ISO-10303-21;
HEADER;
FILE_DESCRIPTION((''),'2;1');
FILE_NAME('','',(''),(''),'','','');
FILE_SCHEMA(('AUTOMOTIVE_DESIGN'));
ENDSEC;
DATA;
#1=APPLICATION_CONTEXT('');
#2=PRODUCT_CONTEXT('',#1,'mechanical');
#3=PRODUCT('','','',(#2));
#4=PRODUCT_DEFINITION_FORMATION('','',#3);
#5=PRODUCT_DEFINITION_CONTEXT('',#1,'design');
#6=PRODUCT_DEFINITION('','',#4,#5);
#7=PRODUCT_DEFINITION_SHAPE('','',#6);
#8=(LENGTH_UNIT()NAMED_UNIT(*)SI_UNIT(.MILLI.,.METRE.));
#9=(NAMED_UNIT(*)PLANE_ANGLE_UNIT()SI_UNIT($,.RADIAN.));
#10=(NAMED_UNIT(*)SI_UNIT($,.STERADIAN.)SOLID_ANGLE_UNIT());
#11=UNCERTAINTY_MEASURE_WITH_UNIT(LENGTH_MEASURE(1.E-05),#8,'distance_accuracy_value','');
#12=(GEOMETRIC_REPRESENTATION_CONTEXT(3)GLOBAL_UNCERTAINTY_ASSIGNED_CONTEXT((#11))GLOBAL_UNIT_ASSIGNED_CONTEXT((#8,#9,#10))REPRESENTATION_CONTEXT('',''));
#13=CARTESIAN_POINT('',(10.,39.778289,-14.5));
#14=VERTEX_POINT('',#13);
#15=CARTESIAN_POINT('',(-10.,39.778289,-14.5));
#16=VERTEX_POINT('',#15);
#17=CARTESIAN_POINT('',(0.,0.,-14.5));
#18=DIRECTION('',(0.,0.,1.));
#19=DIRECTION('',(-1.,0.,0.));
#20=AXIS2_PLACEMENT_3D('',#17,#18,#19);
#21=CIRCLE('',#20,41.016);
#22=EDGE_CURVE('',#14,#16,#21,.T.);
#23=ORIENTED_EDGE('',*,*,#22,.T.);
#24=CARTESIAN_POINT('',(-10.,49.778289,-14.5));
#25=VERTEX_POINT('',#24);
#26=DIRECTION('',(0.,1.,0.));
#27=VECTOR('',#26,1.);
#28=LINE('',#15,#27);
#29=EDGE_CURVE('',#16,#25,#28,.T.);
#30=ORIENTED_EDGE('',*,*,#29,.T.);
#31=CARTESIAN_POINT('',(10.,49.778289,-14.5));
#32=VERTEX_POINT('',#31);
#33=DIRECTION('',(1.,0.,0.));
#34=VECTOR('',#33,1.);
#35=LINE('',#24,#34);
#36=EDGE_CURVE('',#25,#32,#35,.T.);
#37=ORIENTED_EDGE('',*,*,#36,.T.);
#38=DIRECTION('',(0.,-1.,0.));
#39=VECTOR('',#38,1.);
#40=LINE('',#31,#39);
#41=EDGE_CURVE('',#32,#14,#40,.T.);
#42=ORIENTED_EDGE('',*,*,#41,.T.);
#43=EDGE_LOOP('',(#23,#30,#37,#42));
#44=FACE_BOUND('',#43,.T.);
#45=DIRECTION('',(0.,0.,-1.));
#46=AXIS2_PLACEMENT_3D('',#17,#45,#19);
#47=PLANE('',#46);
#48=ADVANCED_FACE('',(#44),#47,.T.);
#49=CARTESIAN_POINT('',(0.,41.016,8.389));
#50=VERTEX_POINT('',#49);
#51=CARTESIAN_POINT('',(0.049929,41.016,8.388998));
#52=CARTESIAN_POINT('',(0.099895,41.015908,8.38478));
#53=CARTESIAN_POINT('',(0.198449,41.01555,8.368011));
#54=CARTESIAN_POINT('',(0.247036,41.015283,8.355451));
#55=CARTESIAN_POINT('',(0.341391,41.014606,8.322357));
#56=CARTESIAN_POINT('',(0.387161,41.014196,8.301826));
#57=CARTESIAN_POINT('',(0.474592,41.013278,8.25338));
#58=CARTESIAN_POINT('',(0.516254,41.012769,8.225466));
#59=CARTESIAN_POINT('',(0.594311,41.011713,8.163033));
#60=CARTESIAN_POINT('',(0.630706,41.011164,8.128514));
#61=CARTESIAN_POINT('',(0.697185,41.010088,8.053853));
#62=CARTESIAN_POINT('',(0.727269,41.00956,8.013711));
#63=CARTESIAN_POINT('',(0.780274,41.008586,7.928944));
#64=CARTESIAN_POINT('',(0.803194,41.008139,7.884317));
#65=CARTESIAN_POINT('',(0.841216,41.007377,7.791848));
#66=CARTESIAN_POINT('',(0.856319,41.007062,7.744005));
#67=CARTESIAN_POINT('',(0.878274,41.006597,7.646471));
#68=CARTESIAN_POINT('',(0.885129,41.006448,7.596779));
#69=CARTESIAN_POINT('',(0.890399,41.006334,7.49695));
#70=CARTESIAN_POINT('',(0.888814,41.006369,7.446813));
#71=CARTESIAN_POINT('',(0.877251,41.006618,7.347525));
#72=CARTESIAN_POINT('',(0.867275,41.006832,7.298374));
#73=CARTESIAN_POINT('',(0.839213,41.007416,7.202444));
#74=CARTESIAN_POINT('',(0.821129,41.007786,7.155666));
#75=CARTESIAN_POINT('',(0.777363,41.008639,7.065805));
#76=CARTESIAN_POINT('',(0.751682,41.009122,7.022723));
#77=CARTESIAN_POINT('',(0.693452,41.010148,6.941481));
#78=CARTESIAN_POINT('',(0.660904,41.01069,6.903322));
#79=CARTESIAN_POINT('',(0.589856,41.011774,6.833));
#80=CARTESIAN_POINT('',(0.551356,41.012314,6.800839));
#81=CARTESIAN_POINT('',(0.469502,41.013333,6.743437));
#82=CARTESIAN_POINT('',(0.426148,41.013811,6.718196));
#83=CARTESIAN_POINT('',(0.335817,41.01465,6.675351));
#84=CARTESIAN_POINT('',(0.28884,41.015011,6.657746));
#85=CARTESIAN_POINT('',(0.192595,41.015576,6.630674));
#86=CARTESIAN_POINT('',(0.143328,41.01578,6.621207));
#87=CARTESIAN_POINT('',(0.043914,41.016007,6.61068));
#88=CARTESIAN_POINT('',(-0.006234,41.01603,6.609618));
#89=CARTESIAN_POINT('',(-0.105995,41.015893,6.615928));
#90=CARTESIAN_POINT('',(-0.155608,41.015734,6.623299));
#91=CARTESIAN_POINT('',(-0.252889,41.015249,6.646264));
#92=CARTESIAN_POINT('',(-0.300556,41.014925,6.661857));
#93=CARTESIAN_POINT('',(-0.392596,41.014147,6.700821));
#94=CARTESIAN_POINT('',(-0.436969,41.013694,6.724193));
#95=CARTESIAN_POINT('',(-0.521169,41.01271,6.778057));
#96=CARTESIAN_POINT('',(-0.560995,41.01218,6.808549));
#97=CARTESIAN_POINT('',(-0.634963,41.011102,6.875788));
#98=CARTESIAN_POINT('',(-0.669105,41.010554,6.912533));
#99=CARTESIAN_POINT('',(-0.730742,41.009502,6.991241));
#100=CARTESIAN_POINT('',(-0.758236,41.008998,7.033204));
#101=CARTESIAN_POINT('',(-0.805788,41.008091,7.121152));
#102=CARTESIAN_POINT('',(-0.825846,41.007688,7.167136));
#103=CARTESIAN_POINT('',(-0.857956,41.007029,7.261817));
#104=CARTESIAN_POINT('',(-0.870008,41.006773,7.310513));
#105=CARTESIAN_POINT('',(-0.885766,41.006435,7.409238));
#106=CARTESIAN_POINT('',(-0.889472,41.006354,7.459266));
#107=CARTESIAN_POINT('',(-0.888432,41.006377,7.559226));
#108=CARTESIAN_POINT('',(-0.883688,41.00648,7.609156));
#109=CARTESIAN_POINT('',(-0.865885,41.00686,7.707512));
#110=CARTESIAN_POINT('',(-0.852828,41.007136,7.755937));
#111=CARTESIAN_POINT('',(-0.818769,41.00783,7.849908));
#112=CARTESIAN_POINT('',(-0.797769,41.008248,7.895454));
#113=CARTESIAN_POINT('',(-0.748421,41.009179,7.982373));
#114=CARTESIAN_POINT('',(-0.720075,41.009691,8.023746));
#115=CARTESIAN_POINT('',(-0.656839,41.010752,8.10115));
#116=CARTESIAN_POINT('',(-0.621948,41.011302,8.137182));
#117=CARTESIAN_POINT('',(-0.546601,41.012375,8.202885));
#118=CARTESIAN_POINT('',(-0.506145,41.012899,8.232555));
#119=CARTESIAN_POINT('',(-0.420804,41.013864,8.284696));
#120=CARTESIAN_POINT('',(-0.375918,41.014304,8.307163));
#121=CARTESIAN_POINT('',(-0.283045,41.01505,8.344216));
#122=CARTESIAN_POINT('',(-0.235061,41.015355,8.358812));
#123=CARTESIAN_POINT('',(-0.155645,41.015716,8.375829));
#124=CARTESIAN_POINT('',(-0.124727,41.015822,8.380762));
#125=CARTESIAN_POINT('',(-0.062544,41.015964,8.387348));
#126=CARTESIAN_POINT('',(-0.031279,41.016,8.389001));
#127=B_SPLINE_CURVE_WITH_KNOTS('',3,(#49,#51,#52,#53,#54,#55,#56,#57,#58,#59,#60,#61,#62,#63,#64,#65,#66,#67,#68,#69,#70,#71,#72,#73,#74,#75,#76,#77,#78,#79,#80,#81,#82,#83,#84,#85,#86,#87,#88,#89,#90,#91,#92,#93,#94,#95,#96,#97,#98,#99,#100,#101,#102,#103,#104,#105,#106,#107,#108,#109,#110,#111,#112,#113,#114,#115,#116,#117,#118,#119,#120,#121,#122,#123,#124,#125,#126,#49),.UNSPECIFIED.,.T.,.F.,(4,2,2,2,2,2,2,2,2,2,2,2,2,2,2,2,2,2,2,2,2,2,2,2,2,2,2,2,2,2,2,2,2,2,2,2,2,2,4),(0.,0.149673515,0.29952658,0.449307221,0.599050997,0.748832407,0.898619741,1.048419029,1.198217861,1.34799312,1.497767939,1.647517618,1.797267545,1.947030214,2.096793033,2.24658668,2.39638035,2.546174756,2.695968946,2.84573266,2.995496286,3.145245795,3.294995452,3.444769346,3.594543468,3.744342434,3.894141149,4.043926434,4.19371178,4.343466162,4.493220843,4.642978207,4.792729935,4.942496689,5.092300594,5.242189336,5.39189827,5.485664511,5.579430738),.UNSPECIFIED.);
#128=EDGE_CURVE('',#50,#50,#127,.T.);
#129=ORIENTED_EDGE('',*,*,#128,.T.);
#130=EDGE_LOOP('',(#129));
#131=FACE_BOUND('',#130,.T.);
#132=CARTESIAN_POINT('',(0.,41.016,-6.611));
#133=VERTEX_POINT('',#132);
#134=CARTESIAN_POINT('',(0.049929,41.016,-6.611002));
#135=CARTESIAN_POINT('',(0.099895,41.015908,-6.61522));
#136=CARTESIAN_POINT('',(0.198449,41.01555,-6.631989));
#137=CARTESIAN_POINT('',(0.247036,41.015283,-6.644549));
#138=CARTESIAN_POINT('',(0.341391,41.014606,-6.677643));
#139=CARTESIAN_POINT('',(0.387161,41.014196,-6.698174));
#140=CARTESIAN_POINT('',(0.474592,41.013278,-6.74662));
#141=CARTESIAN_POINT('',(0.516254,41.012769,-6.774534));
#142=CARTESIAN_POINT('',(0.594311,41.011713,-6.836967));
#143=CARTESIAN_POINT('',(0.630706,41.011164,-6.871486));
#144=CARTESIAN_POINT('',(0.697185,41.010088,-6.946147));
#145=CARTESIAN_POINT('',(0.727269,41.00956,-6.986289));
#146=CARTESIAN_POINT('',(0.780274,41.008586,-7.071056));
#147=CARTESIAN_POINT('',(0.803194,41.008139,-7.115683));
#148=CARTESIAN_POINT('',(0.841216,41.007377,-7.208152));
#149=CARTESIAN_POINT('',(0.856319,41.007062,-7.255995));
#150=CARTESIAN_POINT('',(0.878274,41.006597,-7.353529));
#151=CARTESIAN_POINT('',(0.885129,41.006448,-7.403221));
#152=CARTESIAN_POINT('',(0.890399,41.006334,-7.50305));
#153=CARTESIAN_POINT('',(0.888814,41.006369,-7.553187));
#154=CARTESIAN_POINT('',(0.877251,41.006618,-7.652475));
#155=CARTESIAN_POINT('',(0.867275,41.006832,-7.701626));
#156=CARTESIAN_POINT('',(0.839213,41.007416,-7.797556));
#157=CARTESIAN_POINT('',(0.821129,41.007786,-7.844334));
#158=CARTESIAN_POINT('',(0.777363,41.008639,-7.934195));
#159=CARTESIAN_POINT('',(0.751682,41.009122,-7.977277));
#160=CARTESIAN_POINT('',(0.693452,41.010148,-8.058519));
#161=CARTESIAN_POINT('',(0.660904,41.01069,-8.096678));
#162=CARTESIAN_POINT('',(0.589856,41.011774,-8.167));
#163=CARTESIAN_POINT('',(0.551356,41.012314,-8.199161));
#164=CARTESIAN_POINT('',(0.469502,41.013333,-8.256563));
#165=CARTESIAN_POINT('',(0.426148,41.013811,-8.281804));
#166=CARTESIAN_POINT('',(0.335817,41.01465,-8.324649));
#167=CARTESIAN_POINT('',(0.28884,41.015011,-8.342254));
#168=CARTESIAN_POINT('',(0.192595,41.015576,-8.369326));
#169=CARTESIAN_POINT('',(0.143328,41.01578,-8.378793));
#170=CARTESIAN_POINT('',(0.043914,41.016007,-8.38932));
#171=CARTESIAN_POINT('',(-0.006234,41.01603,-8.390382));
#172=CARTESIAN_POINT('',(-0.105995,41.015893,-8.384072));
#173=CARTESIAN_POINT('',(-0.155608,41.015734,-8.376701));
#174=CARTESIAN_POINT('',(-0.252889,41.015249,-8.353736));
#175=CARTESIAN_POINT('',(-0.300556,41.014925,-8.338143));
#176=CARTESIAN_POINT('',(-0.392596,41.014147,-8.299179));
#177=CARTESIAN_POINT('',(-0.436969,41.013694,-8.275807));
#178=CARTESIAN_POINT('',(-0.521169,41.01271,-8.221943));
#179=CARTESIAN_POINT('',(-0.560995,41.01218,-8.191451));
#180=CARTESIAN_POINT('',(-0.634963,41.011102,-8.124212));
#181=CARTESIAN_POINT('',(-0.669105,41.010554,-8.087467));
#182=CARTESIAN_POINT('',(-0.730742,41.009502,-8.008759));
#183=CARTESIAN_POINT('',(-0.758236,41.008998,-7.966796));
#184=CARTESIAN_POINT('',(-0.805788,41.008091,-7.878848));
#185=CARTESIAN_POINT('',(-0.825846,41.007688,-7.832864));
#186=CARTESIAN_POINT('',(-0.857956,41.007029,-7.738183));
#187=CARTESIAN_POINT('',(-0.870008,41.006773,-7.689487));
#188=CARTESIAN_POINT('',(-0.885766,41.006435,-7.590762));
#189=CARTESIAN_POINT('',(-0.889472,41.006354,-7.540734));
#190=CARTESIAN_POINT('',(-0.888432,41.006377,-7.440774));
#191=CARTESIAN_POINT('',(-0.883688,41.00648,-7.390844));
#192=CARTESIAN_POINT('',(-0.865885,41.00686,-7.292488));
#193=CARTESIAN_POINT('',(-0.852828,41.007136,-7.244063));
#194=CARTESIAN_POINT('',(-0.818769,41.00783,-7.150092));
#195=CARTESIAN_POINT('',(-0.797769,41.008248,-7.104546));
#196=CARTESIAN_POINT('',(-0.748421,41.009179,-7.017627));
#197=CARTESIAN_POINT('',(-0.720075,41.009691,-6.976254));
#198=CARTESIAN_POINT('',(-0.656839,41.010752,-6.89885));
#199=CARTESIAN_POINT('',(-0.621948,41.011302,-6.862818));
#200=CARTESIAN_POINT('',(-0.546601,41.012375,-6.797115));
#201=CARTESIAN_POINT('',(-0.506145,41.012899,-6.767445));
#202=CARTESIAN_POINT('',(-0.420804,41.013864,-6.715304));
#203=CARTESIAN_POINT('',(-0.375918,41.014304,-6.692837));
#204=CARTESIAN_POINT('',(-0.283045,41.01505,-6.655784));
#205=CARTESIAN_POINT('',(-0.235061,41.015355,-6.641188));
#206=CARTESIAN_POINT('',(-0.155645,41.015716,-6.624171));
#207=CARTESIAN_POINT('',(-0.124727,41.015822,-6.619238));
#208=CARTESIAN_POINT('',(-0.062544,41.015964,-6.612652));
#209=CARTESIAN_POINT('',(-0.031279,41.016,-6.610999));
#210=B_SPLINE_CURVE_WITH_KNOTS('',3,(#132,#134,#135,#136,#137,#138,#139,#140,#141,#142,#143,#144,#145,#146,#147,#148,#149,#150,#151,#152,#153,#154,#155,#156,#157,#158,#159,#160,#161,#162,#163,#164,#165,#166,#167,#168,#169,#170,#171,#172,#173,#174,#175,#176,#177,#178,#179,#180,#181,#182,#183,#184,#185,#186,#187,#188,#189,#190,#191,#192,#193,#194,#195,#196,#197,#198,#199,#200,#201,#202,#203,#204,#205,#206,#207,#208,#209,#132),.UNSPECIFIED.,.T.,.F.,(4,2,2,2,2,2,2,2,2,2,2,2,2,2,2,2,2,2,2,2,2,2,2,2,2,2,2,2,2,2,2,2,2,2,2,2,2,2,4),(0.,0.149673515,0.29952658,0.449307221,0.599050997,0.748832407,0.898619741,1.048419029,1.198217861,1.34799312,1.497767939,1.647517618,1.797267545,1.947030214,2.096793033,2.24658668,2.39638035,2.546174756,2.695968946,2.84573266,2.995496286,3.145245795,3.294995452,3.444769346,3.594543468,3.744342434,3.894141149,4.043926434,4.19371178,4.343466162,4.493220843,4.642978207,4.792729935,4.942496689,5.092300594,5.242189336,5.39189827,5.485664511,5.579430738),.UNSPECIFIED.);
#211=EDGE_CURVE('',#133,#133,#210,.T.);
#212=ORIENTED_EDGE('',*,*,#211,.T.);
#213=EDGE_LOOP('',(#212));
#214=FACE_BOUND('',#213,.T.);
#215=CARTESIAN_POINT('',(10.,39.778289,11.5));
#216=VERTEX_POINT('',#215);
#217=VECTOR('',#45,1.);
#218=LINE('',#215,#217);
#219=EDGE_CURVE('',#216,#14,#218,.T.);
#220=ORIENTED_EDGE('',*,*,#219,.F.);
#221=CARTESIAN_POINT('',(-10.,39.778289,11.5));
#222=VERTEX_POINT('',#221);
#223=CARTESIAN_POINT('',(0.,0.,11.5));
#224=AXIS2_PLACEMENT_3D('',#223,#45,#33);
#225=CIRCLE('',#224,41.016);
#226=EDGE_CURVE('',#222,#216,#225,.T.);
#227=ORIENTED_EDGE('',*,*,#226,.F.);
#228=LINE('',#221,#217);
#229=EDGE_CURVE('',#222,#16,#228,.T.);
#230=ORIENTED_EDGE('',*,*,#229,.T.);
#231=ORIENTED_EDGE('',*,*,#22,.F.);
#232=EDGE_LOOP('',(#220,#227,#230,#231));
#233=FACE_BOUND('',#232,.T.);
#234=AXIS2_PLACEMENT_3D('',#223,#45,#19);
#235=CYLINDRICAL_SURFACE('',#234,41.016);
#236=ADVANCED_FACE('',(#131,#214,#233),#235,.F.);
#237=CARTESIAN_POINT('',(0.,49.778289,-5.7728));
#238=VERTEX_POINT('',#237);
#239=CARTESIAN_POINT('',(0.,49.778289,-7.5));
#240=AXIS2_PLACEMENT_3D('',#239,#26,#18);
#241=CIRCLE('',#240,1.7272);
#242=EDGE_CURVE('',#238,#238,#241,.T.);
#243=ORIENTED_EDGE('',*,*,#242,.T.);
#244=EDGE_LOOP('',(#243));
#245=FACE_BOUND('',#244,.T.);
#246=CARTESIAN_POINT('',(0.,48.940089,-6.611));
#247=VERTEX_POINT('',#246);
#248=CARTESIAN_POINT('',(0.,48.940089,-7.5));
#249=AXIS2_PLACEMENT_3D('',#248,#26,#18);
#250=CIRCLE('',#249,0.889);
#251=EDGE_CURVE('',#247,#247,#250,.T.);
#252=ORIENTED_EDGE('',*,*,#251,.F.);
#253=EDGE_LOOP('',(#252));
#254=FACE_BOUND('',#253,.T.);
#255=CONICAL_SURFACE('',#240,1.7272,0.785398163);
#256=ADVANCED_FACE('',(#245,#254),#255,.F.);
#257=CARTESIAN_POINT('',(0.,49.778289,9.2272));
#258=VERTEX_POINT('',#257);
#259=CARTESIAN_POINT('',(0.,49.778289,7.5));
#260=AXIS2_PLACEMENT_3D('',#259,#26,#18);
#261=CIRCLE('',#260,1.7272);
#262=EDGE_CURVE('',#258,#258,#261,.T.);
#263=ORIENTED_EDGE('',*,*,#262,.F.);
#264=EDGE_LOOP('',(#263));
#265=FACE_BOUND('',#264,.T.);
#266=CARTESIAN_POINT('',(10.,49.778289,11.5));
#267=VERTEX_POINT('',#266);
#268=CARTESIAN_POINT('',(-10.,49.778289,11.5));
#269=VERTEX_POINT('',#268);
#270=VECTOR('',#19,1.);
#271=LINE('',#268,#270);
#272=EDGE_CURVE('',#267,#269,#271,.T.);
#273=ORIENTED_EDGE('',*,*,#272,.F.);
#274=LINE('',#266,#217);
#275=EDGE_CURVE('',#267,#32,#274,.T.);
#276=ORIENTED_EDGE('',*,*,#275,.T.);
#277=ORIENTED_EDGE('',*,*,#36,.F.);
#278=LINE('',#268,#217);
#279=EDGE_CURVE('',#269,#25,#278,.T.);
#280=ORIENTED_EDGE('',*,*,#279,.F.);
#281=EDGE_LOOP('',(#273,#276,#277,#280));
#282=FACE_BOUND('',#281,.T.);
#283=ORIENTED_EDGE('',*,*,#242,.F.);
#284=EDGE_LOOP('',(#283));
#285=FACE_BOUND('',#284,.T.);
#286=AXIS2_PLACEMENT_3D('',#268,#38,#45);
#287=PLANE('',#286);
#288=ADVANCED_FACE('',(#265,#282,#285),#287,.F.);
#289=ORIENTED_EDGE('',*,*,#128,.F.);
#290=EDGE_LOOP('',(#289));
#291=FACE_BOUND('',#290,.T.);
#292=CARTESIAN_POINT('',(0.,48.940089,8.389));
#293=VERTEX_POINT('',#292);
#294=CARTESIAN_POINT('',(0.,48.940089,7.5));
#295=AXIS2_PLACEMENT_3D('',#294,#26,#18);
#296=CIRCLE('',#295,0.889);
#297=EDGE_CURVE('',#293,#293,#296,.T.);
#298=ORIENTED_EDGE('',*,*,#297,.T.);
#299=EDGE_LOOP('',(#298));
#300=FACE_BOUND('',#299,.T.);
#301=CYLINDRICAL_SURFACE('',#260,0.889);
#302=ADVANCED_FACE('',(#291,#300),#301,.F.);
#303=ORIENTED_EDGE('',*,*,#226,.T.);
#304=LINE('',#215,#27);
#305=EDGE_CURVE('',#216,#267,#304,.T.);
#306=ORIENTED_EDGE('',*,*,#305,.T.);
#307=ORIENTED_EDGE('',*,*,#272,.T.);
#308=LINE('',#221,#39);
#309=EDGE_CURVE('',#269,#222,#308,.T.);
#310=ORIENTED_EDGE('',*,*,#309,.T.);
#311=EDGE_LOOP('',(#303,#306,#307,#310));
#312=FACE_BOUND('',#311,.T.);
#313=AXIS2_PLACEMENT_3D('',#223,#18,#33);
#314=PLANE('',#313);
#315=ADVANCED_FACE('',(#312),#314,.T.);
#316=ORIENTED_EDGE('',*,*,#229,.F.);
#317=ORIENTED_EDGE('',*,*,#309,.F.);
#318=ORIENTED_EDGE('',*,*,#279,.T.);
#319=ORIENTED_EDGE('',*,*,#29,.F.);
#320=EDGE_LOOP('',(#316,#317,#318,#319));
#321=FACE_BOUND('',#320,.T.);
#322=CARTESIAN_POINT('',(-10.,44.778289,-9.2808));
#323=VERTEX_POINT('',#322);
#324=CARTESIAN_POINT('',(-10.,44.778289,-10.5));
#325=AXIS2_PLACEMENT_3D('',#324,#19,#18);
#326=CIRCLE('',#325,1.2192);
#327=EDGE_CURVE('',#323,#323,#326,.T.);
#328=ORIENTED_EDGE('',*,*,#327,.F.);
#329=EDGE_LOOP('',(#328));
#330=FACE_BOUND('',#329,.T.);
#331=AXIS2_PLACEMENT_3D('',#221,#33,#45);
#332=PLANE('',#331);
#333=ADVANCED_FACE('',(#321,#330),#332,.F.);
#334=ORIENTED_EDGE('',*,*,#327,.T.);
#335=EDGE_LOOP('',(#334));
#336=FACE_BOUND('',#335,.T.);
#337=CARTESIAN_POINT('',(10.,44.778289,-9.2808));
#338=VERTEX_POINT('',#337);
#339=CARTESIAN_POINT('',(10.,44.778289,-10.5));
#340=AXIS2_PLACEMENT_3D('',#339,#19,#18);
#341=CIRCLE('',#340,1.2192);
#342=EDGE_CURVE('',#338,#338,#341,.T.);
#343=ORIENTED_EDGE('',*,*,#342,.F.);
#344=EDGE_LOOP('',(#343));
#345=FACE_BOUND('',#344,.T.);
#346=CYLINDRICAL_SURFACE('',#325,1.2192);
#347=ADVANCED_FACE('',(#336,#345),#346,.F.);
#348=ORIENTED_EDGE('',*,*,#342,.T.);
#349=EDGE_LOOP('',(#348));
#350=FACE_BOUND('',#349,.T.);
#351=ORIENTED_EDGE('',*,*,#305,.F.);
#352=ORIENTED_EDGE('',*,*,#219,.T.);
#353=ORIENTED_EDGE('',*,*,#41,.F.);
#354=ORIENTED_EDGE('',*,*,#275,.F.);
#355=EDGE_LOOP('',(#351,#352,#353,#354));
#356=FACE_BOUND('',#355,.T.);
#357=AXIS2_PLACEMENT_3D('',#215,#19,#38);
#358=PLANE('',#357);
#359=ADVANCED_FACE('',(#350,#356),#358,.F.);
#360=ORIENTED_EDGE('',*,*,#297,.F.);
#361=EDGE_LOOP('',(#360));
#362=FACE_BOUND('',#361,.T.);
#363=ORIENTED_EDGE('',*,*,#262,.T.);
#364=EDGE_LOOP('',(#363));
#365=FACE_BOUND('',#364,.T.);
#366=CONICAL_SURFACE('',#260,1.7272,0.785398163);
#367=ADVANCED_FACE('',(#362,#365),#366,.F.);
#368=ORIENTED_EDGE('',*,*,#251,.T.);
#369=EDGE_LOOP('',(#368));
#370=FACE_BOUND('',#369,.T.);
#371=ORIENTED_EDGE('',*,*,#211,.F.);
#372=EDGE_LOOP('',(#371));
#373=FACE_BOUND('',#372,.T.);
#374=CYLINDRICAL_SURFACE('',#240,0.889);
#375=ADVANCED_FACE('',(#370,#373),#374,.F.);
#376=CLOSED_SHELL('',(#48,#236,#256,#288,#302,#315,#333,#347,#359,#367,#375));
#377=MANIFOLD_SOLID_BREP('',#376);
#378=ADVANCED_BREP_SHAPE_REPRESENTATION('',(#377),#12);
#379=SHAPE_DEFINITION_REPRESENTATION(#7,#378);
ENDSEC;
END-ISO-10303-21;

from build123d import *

# Parameters (mm, degrees)
BOSS_EXTRUDE1_DEPTH             = 11.5
F_2_56_TAPPED_HOLE3_D           = 1.778
F_2_56_TAPPED_HOLE3_CSINK_D     = 3.4544
F_2_56_TAPPED_HOLE3_CSINK_ANGLE = 90
BOSS_EXTRUDE2_DEPTH             = 3
F_2_CLEARANCE_HOLE1_D           = 2.4384


with BuildPart() as part:
    # Sketch1 → Boss-Extrude1 (new body, symmetric)
    with BuildSketch(Plane.XY):
        with BuildLine():
            Line((-10, 39.778288752), (-10, 49.778288752))
            Line((-10, 49.778288752), (10, 49.778288752))
            Line((10, 49.778288752), (10, 39.778288752))
            ThreePointArc((10, 39.778288752), (0, 41.016), (-10, 39.778288752))
        make_face()
    extrude(amount=BOSS_EXTRUDE1_DEPTH, both=True)

    # #2-56 Tapped Hole3 (through all)
    with Locations(Plane(origin=(0, 49.778288752, 0), x_dir=(1, 0, 0), z_dir=(0, 1, 0))):
        with Locations((0, -7.5), (0, 7.5)):
            CounterSinkHole(F_2_56_TAPPED_HOLE3_D / 2, F_2_56_TAPPED_HOLE3_CSINK_D / 2, counter_sink_angle=F_2_56_TAPPED_HOLE3_CSINK_ANGLE)

    # Sketch5 → Boss-Extrude2 (add)
    with BuildSketch(Plane(origin=(0, 0, -11.5), x_dir=(-1, 0, 0), z_dir=(0, 0, -1))):
        with BuildLine():
            Line((10, 49.778288752), (-10, 49.778288752))
            Line((-10, 49.778288752), (-10, 39.778288752))
            ThreePointArc((-10, 39.778288752), (0, 41.016), (10, 39.778288752))
            Line((10, 39.778288752), (10, 49.778288752))
        make_face()
    extrude(amount=BOSS_EXTRUDE2_DEPTH)

    # #2 Clearance Hole1 (through all)
    with Locations(Plane.ZY.offset(10)):
        with Locations((-10.5, 44.778288752)):
            Hole(F_2_CLEARANCE_HOLE1_D / 2)


solid = part.part
